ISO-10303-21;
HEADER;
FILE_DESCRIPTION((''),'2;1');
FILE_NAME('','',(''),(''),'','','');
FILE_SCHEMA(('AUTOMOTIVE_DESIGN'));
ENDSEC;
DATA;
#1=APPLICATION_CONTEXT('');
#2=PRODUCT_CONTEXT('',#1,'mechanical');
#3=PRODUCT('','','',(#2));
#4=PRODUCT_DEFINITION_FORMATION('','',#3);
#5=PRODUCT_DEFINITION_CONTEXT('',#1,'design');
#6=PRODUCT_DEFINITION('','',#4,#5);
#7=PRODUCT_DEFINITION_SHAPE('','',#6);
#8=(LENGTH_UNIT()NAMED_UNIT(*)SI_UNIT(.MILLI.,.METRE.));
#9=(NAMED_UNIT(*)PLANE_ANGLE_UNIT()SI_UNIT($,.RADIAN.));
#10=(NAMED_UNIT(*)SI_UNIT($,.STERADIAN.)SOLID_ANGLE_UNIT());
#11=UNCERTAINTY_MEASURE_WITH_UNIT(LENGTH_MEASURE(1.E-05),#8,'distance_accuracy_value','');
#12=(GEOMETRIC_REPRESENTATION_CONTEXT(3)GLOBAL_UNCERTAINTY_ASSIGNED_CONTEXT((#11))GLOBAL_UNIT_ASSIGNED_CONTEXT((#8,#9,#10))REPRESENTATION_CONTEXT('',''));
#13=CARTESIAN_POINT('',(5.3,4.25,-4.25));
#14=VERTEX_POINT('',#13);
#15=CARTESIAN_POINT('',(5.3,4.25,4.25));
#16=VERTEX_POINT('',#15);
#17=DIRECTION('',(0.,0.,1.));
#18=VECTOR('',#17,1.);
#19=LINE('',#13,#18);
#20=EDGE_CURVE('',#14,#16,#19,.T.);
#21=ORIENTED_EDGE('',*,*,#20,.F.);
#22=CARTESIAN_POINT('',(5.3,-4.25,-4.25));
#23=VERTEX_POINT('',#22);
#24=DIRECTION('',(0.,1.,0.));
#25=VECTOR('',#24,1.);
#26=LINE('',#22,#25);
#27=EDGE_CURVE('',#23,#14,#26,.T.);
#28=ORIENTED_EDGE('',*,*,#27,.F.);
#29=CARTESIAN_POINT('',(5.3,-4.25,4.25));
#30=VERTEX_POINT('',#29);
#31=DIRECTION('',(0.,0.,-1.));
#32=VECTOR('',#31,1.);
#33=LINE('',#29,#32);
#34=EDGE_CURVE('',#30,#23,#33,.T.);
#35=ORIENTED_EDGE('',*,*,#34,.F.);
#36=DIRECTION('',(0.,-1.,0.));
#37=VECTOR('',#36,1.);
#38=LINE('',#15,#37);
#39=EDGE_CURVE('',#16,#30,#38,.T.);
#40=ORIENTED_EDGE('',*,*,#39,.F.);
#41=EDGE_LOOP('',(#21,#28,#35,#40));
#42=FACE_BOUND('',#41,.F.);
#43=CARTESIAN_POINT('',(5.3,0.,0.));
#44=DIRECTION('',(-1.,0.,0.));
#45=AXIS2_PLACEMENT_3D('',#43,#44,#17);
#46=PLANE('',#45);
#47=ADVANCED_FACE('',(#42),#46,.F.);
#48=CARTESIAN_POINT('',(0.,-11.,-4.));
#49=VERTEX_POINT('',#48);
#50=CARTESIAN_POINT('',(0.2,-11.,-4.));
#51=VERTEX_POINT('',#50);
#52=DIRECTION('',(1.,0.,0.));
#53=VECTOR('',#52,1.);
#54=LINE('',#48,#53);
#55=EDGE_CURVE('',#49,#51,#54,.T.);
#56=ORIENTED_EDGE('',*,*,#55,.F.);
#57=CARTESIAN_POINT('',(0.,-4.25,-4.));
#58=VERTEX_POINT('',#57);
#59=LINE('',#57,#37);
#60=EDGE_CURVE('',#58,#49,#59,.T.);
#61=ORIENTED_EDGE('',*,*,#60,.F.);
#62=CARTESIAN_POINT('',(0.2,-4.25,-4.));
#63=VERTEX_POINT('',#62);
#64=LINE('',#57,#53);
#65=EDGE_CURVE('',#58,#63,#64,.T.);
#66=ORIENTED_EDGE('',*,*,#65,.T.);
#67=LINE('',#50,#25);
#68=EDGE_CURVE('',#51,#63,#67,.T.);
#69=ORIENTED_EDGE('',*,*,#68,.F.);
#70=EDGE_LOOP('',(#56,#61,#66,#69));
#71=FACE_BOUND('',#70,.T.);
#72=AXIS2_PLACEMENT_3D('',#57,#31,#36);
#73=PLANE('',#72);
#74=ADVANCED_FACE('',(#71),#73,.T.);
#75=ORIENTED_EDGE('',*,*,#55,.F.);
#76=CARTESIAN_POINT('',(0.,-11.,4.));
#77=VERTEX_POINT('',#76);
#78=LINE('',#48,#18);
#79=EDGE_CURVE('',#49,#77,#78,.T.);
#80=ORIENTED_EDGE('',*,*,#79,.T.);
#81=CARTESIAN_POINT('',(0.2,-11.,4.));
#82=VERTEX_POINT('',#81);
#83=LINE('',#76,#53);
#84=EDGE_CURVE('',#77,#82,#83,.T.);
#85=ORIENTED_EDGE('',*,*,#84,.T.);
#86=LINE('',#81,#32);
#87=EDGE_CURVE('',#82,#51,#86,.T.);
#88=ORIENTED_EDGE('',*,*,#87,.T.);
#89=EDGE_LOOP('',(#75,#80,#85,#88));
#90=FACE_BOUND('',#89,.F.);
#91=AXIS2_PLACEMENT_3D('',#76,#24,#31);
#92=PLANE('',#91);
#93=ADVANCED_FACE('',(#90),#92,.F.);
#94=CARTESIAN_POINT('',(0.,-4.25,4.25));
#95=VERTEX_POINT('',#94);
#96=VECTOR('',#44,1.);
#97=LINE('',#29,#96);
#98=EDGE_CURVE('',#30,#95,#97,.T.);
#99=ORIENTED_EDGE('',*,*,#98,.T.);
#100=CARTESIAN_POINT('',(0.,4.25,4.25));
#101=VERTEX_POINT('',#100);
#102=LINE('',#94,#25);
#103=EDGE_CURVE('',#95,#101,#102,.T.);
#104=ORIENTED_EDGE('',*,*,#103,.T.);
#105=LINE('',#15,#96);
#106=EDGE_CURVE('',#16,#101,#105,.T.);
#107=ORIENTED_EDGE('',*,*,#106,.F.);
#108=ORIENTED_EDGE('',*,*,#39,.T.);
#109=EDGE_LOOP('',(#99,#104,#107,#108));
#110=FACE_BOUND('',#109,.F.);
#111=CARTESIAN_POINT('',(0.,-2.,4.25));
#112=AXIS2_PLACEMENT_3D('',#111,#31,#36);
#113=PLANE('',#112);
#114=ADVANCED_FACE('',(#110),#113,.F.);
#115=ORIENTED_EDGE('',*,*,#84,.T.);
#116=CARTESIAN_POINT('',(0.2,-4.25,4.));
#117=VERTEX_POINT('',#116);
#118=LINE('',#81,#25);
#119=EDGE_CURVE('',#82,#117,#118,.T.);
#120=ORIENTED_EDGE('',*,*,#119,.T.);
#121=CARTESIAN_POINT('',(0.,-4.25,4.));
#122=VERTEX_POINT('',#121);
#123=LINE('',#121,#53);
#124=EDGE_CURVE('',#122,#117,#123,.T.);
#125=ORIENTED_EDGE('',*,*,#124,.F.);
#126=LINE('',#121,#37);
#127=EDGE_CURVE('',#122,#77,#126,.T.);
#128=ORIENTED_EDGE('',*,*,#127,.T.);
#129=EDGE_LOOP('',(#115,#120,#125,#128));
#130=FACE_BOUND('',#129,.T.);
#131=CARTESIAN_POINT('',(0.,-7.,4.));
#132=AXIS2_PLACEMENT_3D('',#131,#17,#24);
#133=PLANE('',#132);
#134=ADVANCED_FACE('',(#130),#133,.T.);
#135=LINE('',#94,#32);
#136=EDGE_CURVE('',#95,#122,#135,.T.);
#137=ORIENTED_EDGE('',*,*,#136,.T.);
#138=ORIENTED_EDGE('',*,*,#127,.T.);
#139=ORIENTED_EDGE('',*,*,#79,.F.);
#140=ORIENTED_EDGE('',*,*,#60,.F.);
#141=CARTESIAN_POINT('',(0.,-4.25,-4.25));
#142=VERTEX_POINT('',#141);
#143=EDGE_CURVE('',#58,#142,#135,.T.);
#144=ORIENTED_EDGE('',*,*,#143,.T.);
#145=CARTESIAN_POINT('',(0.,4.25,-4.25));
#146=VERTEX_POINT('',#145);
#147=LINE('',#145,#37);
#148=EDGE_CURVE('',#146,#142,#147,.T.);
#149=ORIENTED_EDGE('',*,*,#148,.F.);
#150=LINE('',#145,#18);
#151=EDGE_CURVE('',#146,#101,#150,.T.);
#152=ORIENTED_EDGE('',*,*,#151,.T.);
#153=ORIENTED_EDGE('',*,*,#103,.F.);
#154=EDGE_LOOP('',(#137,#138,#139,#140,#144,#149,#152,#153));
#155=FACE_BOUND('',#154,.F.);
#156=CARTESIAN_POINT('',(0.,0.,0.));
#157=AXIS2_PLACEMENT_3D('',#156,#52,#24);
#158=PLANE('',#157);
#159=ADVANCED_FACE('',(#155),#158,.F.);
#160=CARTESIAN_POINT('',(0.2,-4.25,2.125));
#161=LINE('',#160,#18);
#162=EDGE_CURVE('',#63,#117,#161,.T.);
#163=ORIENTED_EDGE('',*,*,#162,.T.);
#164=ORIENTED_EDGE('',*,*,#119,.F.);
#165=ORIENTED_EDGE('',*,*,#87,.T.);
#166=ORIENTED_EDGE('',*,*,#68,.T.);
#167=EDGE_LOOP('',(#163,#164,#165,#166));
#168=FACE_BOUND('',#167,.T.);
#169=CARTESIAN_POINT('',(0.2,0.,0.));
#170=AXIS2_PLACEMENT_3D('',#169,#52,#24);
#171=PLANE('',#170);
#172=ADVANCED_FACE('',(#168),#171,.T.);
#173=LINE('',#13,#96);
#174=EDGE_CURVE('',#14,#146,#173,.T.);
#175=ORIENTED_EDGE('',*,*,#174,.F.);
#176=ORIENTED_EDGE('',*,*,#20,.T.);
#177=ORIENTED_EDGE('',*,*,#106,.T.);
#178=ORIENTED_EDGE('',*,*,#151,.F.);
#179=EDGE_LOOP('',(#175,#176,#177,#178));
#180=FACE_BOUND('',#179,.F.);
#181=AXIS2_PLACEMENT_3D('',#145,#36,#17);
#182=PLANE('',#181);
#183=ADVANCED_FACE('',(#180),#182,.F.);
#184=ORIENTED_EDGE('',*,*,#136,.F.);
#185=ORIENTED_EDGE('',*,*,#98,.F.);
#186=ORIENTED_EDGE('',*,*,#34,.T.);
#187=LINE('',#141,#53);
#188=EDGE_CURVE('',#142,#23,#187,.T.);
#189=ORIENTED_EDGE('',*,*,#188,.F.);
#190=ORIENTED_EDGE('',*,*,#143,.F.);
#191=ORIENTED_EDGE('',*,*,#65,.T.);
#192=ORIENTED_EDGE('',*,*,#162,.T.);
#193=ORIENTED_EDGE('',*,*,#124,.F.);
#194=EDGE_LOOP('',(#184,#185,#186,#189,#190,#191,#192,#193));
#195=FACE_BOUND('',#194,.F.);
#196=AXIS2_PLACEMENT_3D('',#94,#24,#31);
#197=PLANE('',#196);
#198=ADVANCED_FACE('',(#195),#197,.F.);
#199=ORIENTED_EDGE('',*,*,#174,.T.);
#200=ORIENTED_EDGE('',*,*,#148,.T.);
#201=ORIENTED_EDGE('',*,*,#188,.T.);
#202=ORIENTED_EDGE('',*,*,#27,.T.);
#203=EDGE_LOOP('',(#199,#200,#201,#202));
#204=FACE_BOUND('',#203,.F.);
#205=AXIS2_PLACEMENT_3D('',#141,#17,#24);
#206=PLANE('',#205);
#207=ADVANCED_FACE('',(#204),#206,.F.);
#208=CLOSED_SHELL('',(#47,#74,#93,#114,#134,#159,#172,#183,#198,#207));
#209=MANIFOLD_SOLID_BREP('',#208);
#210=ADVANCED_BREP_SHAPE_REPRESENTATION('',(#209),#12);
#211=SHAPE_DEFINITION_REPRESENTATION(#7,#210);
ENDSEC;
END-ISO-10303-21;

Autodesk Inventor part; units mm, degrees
ref_plane "YZ Plane" through (0, 0, 0) normal (1, 0, 0) x (0, 1, 0)
ref_plane "XZ Plane" through (0, 0, 0) normal (0, 1, 0) x (-1, 0, 0)
ref_plane "XY Plane" through (0, 0, 0) normal (0, 0, 1) x (1, 0, 0)
sketch "Эскиз1" plane through (0, 0, 0) normal (1, 0, 0) x (0, 1, 0)
  line L0 (-7, 7) -> (7, 7)
  line L1 (7, 7) -> (7, -7)
  line L2 (7, -7) -> (-7, -7)
  line L3 (-7, -7) -> (-7, 7)
  line L4 (-7, 7) -> (7, -7) construction
  line L5 (7, 7) -> (-7, -7) construction
  line L6 (0, 9) -> (0, -9)
  circle A0 centre (0, -9) radius 2
  circle A1 centre (0, 9) radius 2
  line L7 (2, 9) -> (2, -9)
  line L8 (-2, -9) -> (-2, 9)
  line L9 (4.25, 4.25) -> (-4.25, 4.25)
  line L10 (-4.25, 4.25) -> (-4.25, -4.25)
  line L11 (-4.25, -4.25) -> (4.25, -4.25)
  line L12 (4.25, -4.25) -> (4.25, 4.25)
  line L13 (4.25, 4.25) -> (-4.25, -4.25) construction
  line L14 (-4.25, 4.25) -> (4.25, -4.25) construction
  line L15 (-7, 4) -> (-11, 4)
  line L16 (-11, 4) -> (-11, -4)
  line L17 (-11, -4) -> (-7, -4)
  line L18 (-7, -4) -> (-7, 4)
  circle A2 centre (0, 9) radius 1
  circle A3 centre (0, -9) radius 1
  line L19 (-7, 0) -> (-11, 0)
  line L20 (-7, 4) -> (-4.25, 4)
  line L21 (-4.25, 4) -> (-4.25, -4)
  line L22 (-4.25, -4) -> (-7, -4)
  line L23 (-7, -4) -> (-7, 4)
  point P0 (0, 0)
  point P1 (0, 0)
  point P2 (2, -7)
  point P3 (2, 7)
  point P4 (-2, 7)
  point P5 (-7, -4)
  point P6 (-2, -7)
  point P7 (-7, 0)
  dimension "d0" = 14
  dimension "d1" = 14
  dimension "d2" = 18
  dimension "d3" = 8.5
  dimension "d4" = 8.5
  dimension "d5" = 4
  dimension "d6" = 2
  dimension "d7" = 2
  dimension "d14" = 8
extrude "Выдавливание1" add sketch "Эскиз1" along normal blind 0.2 contours L20 L10 L22 L3 | L3 L19 L16 L15 | L9 L6 L11 L8 | L8 L11 L10 L9 | L3 L17 L16 L19 | L9 L7 L11 L6 | L9 L12 L11 L7
sketch "Эскиз2" plane through (0, 0, 0) normal (-1, 0, 0) x (0, 0, 1)
  line L0 (-4.25, 4.25) -> (4.25, 4.25)
  line L1 (4.25, 4.25) -> (4.25, -4.25)
  line L2 (4.25, -4.25) -> (-4.25, -4.25)
  line L3 (-4.25, -4.25) -> (-4.25, 4.25)
  line L4 (-4.25, 4.25) -> (4.25, -4.25) construction
  line L5 (4.25, 4.25) -> (-4.25, -4.25) construction
  point P0 (0, 0)
  dimension "d10" = 8.5
  dimension "d11" = 8.5
extrude "Выдавливание2" add sketch "Эскиз2" against normal blind 5.3
properties part number "imx258"
